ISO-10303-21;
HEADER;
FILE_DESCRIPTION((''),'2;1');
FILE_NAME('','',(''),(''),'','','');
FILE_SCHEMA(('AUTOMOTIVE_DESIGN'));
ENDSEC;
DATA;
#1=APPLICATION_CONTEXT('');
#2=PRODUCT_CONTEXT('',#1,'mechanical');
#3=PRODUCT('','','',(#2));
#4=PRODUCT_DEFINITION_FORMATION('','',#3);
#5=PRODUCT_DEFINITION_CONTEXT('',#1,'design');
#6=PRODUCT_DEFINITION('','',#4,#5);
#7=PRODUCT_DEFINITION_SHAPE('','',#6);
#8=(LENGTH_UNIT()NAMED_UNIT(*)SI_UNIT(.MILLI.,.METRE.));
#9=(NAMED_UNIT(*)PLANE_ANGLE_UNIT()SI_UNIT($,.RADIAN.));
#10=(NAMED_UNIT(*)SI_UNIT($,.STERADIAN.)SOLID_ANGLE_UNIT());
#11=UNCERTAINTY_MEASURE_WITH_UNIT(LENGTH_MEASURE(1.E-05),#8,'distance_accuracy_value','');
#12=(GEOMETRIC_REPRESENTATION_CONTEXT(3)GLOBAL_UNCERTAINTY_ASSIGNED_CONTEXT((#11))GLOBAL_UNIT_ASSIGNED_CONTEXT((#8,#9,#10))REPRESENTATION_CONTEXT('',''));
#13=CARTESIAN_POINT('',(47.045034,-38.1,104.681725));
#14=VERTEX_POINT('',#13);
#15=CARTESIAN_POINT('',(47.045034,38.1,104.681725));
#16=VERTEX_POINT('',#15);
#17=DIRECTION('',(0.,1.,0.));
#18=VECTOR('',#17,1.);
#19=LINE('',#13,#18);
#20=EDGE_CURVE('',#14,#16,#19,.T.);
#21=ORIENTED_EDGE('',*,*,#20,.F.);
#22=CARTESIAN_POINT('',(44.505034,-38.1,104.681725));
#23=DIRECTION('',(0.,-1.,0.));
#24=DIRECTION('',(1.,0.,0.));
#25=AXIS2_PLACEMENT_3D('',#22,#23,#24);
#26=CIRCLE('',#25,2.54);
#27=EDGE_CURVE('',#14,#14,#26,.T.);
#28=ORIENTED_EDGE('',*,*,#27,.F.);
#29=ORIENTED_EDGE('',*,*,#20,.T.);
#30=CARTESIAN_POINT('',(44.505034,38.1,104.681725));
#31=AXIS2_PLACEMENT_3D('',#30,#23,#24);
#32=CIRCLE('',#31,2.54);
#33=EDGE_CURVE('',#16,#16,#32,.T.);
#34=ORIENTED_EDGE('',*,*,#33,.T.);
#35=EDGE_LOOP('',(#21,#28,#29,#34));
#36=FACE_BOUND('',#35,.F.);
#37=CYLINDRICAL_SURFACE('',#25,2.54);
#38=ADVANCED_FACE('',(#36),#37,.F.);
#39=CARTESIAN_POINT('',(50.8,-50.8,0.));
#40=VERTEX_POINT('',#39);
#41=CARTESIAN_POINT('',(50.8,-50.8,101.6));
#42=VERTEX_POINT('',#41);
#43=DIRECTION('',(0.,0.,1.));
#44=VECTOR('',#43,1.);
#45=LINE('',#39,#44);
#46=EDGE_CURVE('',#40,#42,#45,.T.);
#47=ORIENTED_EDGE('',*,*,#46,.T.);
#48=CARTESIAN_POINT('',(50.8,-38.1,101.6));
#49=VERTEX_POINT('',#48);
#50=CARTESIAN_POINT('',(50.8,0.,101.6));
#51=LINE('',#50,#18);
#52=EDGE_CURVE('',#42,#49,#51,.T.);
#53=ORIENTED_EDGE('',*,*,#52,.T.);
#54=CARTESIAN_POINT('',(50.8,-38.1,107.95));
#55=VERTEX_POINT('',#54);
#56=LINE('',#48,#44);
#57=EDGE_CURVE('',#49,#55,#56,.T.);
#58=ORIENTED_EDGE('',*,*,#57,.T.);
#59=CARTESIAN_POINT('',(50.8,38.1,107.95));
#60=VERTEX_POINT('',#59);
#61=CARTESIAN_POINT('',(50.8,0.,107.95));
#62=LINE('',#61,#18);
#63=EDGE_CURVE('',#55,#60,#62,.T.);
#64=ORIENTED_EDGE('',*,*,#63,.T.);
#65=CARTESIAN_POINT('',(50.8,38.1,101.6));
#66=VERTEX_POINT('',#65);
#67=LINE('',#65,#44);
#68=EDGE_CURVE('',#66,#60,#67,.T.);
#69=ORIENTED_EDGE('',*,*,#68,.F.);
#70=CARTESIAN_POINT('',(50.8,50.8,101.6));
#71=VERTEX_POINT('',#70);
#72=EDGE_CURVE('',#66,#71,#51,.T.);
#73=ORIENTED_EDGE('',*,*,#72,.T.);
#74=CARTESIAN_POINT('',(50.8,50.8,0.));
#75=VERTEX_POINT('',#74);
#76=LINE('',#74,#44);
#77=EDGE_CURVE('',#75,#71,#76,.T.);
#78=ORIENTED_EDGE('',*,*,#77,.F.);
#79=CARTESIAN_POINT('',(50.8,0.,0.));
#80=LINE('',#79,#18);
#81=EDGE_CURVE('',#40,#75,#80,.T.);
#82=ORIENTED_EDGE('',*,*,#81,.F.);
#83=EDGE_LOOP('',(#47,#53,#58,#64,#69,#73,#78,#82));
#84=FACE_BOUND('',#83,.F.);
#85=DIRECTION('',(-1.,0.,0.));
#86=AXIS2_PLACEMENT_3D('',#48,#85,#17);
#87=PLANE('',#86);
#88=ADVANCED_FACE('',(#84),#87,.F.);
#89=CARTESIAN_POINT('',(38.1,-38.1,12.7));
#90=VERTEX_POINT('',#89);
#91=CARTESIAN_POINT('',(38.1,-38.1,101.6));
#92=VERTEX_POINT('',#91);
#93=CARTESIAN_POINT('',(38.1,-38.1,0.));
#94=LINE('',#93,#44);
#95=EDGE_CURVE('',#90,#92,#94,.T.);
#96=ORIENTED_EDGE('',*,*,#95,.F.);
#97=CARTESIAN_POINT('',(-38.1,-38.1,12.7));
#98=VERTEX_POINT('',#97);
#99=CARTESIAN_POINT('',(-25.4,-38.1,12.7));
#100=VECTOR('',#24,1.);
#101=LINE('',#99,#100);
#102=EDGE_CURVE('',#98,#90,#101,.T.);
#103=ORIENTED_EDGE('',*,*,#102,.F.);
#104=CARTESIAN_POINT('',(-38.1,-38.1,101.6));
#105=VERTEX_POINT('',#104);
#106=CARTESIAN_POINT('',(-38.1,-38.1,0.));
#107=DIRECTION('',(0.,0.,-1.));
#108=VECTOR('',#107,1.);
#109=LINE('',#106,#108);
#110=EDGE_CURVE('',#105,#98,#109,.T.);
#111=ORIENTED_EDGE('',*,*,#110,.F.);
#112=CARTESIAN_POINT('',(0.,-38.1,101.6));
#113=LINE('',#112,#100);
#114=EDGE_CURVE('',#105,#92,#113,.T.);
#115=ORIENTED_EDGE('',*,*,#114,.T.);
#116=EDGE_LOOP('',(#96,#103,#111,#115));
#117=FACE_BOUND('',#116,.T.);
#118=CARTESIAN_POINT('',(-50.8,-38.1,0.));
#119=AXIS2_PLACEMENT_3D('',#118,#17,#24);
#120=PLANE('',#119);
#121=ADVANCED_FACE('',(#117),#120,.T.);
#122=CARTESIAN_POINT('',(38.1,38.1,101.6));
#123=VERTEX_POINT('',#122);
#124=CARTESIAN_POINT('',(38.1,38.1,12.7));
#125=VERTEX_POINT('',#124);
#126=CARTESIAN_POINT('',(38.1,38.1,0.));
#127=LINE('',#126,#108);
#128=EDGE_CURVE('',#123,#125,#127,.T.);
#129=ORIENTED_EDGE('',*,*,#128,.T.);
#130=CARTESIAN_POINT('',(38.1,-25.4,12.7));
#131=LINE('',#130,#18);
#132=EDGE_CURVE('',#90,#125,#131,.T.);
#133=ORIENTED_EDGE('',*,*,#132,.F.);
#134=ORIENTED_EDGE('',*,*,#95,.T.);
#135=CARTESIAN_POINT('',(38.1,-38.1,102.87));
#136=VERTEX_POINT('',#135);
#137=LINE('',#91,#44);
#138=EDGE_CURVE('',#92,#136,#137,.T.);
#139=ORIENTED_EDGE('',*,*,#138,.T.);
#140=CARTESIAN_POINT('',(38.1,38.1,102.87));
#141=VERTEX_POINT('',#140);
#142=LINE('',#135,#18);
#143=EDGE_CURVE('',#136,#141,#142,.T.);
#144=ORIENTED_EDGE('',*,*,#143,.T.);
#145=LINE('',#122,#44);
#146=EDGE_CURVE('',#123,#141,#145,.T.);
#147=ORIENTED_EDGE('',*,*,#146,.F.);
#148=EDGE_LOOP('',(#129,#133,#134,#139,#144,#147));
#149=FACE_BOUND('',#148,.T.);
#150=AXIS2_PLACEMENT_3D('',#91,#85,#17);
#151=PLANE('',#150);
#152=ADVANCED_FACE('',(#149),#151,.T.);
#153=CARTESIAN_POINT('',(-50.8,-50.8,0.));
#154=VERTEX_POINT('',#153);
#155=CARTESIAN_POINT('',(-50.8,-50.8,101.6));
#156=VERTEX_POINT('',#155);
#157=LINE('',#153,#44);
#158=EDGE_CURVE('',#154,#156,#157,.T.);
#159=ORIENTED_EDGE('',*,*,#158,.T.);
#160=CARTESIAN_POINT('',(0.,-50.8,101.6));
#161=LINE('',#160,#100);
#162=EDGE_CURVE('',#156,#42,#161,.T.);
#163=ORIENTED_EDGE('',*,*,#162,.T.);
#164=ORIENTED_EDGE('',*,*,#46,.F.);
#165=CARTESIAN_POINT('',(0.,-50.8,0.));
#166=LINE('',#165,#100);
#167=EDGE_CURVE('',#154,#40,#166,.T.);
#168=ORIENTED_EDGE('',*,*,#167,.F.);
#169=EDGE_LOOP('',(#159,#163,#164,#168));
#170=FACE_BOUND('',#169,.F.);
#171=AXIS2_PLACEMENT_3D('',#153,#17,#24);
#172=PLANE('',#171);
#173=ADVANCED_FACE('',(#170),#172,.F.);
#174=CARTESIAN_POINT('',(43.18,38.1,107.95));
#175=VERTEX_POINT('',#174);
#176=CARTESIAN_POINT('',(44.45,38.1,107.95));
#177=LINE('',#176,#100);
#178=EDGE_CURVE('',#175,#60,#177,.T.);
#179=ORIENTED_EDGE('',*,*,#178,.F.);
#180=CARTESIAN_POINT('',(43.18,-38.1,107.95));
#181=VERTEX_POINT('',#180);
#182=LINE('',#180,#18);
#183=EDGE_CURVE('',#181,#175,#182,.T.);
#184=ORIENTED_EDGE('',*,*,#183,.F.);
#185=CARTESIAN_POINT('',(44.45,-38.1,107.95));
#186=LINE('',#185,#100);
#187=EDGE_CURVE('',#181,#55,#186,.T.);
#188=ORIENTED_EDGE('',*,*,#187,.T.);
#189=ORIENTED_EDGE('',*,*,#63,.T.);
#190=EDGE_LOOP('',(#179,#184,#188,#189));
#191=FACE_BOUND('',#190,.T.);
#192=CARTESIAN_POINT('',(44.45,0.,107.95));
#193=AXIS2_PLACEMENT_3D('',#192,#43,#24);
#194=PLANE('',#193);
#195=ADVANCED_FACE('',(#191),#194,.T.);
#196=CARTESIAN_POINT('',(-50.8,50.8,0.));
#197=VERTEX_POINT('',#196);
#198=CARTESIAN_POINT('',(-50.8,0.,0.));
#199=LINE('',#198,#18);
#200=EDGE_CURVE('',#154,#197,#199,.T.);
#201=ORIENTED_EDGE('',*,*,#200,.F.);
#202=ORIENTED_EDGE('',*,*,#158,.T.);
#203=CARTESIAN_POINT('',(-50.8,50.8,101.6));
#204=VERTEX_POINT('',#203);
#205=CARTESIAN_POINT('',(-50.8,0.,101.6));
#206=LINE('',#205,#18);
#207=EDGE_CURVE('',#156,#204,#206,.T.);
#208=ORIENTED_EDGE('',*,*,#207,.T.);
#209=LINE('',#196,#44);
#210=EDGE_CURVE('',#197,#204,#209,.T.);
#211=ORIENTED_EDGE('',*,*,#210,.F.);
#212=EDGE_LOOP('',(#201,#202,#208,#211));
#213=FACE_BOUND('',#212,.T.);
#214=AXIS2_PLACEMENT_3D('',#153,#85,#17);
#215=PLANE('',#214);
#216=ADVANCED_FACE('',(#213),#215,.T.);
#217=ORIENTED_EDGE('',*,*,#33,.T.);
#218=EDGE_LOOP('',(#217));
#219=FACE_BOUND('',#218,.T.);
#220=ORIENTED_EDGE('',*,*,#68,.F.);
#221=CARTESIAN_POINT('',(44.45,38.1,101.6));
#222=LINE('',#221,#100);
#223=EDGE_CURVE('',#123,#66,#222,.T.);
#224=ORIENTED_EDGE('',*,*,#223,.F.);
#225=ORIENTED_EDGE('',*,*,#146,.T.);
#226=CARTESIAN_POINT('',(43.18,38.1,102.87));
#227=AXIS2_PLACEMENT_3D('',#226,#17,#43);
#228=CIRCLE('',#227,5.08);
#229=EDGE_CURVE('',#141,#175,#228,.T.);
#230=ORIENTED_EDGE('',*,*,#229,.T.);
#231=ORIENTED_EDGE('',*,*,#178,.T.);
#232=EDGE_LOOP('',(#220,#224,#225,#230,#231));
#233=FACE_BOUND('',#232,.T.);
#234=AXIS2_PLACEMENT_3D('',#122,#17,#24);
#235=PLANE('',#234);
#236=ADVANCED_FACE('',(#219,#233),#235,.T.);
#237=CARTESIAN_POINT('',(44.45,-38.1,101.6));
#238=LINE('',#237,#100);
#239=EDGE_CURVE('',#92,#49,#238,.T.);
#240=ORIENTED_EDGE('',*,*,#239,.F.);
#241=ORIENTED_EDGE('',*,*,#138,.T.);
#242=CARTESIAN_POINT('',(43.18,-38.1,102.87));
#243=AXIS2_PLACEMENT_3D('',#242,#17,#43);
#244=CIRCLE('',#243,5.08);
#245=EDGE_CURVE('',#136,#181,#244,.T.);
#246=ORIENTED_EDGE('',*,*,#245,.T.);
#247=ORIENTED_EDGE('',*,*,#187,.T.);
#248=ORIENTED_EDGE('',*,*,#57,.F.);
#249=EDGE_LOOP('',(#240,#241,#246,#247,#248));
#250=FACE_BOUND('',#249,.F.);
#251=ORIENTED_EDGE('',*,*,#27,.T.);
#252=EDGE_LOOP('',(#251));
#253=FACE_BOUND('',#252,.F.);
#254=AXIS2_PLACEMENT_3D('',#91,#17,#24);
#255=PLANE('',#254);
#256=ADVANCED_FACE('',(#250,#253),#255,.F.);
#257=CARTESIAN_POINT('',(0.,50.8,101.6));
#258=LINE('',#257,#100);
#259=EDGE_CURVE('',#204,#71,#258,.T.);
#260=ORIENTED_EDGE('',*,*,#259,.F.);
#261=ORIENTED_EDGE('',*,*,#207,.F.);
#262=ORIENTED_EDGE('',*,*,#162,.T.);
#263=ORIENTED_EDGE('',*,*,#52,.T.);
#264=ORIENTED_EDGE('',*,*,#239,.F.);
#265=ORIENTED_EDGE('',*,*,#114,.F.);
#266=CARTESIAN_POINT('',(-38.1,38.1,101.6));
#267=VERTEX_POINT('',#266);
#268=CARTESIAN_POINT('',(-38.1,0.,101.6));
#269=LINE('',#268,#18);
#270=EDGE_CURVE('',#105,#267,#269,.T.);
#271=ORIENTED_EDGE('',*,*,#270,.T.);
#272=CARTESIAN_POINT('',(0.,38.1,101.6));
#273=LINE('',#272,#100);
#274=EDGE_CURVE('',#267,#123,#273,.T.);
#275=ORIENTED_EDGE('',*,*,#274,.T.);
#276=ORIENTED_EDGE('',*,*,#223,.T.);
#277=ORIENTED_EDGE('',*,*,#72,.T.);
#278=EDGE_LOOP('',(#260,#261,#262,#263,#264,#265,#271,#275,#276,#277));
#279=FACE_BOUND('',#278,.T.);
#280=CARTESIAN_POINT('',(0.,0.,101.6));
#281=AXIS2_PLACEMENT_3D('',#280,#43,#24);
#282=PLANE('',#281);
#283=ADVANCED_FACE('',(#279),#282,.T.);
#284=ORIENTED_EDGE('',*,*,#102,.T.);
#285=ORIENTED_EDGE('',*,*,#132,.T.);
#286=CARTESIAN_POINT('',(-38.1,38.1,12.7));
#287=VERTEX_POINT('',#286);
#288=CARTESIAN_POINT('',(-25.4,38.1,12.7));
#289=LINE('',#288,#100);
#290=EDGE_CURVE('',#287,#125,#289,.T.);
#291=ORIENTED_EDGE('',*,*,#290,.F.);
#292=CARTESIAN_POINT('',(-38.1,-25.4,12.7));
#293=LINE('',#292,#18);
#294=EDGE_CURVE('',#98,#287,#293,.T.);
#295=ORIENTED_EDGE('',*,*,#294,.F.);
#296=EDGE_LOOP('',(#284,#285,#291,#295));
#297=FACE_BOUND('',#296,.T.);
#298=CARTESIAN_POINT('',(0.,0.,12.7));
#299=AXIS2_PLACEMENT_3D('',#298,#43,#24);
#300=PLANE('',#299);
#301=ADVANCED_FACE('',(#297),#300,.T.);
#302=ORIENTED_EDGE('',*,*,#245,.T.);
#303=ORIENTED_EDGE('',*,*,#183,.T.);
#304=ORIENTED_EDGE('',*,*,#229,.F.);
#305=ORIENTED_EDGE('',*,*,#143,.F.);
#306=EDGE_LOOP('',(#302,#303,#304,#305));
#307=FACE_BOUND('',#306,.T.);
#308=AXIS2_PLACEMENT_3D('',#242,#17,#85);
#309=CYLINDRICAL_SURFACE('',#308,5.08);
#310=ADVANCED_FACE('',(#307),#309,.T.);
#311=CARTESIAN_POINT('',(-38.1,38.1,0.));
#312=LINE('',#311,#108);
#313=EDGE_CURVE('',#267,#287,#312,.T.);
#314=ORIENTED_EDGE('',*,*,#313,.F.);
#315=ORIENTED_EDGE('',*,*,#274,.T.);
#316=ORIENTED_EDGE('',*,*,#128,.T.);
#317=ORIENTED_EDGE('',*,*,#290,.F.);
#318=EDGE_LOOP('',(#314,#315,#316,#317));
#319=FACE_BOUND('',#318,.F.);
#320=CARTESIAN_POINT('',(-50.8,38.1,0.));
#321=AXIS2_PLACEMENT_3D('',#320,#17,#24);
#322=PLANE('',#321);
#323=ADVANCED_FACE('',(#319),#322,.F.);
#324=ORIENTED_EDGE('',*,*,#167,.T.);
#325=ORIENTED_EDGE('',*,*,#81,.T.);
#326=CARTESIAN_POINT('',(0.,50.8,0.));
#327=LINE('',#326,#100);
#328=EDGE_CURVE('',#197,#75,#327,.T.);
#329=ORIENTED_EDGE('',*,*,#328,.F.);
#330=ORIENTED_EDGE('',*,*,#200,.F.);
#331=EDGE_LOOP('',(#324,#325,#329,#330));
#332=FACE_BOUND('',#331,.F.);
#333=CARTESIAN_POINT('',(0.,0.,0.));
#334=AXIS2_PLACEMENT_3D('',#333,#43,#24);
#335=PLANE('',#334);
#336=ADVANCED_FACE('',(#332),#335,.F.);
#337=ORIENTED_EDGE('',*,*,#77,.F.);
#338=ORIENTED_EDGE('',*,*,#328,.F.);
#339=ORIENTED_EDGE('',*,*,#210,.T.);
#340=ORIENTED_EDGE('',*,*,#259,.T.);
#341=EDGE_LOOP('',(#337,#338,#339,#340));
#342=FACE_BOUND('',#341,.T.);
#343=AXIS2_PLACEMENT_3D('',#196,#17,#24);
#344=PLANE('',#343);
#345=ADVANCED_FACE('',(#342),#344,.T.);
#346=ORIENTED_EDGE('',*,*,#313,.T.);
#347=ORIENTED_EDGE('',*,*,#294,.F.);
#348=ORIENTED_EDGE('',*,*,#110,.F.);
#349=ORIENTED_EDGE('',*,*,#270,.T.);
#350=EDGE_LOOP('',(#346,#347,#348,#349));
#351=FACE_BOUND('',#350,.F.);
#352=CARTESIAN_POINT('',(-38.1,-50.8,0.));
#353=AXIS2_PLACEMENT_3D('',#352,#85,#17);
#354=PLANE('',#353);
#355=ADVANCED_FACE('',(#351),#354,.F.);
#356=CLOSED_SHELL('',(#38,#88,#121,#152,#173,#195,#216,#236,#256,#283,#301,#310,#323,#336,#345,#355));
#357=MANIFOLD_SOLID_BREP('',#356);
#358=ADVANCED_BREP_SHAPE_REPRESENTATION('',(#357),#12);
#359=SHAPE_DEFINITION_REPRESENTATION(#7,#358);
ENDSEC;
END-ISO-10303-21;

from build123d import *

# Parameters (mm, degrees)
F0_W     = 101.6
F0_H     = 101.6
F1_DEPTH = 101.6
F2_T     = -12.7
F3_W     = 12.7
F3_H     = 76.2
F4_DEPTH = 6.35
F5_R     = 2.54
F6_DEPTH = 95.885
F7_R     = 5.08


with BuildPart() as f1:
    # F0 (on Top) → F1 (new body)
    with BuildSketch(Plane.XY):
        Rectangle(F0_W, F0_H)
    extrude(amount=F1_DEPTH)

    # F2
    f2_openings = [f1.faces().sort_by_distance(p)[0] for p in [
        (0, 0, 101.6),
    ]]
    offset(amount=F2_T, openings=f2_openings)

    # F3 (on face) → F4 (join)
    with BuildSketch(Plane.XY.offset(101.6)):
        with Locations((44.45, 0)):
            Rectangle(F3_W, F3_H)
    extrude(amount=F4_DEPTH)

    # F5 (on face) → F6 (cut)
    with BuildSketch(Plane.XZ.offset(38.1)):
        with Locations((44.505034, 104.681725)):
            Circle(F5_R)
    extrude(amount=-F6_DEPTH, mode=Mode.SUBTRACT)

    # F7
    f7_edges = [f1.edges().sort_by_distance(p)[0] for p in [
        (38.1, 0, 107.95),
    ]]
    fillet(f7_edges, radius=F7_R)


solid = f1.part
